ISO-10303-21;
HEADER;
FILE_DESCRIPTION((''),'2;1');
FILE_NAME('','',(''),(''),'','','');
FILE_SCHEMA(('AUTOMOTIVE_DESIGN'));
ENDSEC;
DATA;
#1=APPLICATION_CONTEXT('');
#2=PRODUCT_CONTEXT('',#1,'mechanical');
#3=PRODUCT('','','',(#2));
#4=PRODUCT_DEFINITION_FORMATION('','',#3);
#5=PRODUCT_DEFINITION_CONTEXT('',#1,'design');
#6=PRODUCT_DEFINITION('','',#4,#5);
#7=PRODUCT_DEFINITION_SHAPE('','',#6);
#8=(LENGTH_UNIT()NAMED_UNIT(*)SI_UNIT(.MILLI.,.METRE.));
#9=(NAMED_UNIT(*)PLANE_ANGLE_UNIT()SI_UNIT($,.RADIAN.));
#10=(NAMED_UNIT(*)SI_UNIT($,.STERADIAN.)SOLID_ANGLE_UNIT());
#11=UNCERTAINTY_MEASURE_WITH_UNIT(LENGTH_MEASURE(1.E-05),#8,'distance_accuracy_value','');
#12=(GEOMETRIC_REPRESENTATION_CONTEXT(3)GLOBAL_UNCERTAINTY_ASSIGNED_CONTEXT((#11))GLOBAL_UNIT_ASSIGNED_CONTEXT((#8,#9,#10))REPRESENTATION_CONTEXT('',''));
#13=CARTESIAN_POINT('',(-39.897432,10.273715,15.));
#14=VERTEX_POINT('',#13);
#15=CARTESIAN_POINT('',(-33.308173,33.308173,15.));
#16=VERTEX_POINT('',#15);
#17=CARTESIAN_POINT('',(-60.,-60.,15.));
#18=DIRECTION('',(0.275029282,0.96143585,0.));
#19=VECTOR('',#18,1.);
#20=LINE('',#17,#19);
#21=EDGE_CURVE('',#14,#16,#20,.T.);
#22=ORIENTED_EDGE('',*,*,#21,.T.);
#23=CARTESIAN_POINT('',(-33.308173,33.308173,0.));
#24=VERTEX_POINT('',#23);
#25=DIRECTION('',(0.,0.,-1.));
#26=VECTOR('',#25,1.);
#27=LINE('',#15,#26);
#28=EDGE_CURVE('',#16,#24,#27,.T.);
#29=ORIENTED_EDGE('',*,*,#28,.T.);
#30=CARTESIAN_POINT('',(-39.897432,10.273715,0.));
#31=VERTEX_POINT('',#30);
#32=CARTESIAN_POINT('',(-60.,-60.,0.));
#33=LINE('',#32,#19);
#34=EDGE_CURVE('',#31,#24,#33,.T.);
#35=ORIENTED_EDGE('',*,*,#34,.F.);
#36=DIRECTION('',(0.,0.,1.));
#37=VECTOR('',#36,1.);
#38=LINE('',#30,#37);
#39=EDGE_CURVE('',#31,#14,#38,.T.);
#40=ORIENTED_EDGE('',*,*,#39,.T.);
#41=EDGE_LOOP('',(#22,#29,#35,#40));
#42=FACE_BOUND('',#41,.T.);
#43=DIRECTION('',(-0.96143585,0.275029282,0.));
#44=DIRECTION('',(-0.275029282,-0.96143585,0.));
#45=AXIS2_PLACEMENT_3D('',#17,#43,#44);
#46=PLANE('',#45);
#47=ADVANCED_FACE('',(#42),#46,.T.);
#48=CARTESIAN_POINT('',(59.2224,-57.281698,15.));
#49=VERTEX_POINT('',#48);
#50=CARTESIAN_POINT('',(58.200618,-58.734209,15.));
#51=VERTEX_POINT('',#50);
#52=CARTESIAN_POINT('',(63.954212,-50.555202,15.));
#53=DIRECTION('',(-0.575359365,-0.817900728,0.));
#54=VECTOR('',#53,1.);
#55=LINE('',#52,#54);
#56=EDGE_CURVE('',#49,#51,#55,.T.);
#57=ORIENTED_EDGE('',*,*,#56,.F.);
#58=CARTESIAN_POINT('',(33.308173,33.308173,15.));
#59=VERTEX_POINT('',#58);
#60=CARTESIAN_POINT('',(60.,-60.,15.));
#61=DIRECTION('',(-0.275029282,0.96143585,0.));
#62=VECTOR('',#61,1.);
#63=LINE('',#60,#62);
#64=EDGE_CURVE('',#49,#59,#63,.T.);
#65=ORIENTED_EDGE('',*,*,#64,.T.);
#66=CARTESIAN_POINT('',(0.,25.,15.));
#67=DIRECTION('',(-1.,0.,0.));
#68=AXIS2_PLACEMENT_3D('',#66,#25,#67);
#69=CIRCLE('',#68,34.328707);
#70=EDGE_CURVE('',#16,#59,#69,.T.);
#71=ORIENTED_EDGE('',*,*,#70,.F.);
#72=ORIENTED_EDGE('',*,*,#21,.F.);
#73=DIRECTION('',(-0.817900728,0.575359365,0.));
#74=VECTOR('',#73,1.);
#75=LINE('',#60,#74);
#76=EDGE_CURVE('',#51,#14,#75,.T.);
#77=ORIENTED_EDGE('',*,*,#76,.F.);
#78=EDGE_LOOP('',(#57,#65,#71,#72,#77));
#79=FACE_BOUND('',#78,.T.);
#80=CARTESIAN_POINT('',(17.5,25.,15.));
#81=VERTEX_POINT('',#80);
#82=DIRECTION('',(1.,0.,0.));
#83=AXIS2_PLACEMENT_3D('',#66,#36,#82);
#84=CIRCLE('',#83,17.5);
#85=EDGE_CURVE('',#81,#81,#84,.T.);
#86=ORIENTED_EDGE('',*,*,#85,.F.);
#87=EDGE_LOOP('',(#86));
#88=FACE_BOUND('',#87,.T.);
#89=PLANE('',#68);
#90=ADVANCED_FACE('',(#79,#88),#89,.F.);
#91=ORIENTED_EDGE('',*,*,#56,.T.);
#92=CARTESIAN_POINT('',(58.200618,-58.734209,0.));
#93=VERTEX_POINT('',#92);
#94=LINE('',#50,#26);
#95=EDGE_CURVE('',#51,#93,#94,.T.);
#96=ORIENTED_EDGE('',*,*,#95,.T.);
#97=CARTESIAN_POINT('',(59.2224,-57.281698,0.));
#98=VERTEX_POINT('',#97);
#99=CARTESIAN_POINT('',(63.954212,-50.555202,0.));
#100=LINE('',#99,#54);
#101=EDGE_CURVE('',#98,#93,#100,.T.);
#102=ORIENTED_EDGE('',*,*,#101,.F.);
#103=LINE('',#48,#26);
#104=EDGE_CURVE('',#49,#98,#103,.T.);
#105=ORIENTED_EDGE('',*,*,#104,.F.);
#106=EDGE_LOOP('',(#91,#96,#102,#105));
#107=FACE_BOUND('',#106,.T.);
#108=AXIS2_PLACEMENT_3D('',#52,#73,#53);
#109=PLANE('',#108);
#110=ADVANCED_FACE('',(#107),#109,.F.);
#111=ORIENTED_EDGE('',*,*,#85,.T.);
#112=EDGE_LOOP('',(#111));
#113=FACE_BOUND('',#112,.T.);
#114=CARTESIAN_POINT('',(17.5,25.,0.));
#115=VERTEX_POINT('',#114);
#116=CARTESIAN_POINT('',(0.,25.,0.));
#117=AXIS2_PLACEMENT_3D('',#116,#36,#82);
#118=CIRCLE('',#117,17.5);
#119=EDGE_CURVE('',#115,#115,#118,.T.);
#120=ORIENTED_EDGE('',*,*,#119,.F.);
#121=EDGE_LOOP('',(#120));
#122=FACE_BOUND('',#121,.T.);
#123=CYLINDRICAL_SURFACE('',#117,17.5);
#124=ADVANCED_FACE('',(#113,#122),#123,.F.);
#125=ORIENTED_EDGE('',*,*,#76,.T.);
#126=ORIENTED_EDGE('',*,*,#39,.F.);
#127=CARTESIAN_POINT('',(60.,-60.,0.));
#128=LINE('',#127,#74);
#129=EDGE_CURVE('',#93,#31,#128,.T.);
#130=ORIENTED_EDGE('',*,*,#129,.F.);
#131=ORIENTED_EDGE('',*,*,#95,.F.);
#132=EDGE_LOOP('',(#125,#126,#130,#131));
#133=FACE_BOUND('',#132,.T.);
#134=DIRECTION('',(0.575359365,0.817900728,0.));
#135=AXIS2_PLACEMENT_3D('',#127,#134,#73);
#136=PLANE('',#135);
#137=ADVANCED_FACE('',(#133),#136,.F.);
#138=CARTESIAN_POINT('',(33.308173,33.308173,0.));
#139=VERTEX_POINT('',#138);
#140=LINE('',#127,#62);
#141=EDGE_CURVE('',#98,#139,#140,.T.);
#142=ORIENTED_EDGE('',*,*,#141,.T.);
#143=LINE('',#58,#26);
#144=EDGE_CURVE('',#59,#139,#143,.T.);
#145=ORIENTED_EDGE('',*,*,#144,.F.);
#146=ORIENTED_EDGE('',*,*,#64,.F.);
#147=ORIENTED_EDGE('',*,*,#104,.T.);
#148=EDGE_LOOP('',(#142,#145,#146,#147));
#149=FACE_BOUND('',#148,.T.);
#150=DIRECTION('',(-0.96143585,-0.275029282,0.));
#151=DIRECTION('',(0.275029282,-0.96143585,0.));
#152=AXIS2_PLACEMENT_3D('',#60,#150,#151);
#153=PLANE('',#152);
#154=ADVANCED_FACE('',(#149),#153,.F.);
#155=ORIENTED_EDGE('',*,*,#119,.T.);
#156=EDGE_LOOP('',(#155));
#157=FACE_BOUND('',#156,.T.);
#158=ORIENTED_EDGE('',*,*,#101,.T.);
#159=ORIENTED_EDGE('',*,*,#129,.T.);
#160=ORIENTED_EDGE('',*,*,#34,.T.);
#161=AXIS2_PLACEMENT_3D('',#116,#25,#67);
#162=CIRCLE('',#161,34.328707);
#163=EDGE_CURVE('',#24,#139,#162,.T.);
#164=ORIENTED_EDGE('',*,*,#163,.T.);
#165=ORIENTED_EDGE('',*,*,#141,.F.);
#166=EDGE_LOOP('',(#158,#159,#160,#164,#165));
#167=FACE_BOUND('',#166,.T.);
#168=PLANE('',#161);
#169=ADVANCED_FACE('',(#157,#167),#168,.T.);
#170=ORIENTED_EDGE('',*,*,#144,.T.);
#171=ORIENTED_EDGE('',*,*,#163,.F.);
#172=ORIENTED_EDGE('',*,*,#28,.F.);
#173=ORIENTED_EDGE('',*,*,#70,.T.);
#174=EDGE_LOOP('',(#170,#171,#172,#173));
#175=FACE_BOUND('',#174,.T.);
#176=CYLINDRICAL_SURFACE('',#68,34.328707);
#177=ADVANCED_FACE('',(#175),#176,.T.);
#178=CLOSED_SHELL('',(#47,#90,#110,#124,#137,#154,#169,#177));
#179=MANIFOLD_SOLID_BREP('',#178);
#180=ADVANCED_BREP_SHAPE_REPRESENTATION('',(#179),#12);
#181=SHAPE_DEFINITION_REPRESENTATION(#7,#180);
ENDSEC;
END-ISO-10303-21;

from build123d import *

# Parameters (mm, degrees)
BOSS_EXTRUDE1_DEPTH = 15
SKETCH2_R           = 17.5
CUT_EXTRUDE1_DEPTH  = 87.168439698
CUT_EXTRUDE2_DEPTH  = 15
SKETCH4_W           = 2.2
SKETCH4_H           = 15
CUT_EXTRUDE3_DEPTH  = 10


with BuildPart() as part:
    # Sketch1 → Boss-Extrude1 (new body)
    with BuildSketch(Plane.XY):
        with BuildLine():
            Line((-60, -60), (-33.308172666, 33.308172666))
            ThreePointArc((-33.308172666, 33.308172666), (0, 59.328706637), (33.308172666, 33.308172666))
            Line((33.308172666, 33.308172666), (60, -60))
            Line((60, -60), (-60, -60))
        make_face()
    extrude(amount=BOSS_EXTRUDE1_DEPTH)

    # Sketch2 → Cut-Extrude1 (cut, through all)
    with BuildSketch(Plane.XY.offset(15)):
        with Locations((0, 25)):
            Circle(SKETCH2_R)
    extrude(amount=-CUT_EXTRUDE1_DEPTH, mode=Mode.SUBTRACT)

    # Sketch3 → Cut-Extrude2 (cut)
    with BuildSketch(Plane.XY.offset(15)):
        Polygon((60, -60), (-39.897432064, 10.273715489), (-60, -60), align=None)
    extrude(amount=-CUT_EXTRUDE2_DEPTH, mode=Mode.SUBTRACT)

    # Sketch4 → Cut-Extrude3 (cut)
    with BuildSketch(Plane(origin=(-8.372906684, -11.902485457, 0), x_dir=(0.8179007281921136, -0.5753593649388272, 0), z_dir=(-0.5753593649388272, -0.8179007281921136, 0))):
        with Locations((82.495605588, 7.5)):
            Rectangle(SKETCH4_W, SKETCH4_H)
    extrude(amount=-CUT_EXTRUDE3_DEPTH, mode=Mode.SUBTRACT)


solid = part.part
